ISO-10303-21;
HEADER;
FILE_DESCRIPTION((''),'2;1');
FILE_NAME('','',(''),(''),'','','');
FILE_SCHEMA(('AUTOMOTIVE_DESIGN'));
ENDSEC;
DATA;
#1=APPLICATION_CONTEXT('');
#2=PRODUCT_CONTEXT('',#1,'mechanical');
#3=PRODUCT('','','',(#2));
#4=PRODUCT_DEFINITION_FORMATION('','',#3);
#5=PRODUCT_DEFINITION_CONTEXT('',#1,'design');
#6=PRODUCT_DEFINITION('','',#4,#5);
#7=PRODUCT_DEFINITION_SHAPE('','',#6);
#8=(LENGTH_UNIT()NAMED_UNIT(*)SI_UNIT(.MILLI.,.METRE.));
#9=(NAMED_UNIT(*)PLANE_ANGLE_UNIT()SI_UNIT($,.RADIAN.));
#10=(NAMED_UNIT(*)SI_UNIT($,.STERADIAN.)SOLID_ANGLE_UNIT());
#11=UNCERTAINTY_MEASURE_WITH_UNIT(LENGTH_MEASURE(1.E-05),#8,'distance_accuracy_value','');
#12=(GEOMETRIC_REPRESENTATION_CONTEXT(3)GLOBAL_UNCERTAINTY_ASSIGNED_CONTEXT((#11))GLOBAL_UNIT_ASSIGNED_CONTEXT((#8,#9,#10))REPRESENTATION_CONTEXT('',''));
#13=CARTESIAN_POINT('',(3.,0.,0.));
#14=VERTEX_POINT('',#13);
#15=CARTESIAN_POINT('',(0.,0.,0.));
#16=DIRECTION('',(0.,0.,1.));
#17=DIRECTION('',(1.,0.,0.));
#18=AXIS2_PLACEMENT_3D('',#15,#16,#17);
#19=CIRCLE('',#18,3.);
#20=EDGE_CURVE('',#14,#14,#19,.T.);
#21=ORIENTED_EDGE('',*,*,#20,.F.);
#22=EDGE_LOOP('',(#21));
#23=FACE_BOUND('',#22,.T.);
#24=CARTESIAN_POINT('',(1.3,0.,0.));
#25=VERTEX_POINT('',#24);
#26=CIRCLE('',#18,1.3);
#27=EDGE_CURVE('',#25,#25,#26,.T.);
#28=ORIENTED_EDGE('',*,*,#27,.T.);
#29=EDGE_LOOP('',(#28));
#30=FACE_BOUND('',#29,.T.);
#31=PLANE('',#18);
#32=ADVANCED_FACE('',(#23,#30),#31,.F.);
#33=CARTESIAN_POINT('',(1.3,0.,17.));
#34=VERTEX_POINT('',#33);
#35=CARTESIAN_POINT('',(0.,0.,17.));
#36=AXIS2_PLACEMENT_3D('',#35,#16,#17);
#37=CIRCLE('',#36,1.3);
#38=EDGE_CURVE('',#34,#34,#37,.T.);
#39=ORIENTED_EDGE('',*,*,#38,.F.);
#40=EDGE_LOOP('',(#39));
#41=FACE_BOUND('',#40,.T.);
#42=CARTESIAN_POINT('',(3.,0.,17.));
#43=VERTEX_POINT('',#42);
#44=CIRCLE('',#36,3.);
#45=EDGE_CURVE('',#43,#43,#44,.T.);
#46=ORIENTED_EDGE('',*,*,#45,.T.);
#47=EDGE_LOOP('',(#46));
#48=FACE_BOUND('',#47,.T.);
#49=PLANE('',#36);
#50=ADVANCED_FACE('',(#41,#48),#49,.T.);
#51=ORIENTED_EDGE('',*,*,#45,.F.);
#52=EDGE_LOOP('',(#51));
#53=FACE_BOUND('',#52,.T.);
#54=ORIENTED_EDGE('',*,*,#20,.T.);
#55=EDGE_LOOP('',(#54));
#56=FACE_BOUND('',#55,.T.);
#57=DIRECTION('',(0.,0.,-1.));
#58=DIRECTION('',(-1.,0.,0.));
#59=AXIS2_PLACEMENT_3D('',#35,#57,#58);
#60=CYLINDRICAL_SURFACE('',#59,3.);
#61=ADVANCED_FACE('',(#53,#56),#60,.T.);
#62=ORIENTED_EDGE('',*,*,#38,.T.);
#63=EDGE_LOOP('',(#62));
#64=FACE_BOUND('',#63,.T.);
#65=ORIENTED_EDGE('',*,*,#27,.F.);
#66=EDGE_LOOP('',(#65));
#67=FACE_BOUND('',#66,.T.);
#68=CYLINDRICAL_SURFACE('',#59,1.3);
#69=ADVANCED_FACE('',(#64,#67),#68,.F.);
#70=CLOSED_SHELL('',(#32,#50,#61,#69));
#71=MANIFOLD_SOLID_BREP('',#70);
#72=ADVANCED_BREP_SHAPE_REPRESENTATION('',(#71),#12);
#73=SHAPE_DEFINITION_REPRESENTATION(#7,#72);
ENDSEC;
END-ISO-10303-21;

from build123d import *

# Parameters (mm, degrees)
SKETCH_1_R      = 3
SKETCH_1_R_2    = 1.3
EXTRUDE_1_DEPTH = 17


with BuildPart() as part:
    # ｽｹｯﾁ1 → ﾎﾞｽ - 押し出し1 (new body)
    with BuildSketch(Plane.XY):
        Circle(SKETCH_1_R)
        Circle(SKETCH_1_R_2, mode=Mode.SUBTRACT)
    extrude(amount=EXTRUDE_1_DEPTH)


solid = part.part
